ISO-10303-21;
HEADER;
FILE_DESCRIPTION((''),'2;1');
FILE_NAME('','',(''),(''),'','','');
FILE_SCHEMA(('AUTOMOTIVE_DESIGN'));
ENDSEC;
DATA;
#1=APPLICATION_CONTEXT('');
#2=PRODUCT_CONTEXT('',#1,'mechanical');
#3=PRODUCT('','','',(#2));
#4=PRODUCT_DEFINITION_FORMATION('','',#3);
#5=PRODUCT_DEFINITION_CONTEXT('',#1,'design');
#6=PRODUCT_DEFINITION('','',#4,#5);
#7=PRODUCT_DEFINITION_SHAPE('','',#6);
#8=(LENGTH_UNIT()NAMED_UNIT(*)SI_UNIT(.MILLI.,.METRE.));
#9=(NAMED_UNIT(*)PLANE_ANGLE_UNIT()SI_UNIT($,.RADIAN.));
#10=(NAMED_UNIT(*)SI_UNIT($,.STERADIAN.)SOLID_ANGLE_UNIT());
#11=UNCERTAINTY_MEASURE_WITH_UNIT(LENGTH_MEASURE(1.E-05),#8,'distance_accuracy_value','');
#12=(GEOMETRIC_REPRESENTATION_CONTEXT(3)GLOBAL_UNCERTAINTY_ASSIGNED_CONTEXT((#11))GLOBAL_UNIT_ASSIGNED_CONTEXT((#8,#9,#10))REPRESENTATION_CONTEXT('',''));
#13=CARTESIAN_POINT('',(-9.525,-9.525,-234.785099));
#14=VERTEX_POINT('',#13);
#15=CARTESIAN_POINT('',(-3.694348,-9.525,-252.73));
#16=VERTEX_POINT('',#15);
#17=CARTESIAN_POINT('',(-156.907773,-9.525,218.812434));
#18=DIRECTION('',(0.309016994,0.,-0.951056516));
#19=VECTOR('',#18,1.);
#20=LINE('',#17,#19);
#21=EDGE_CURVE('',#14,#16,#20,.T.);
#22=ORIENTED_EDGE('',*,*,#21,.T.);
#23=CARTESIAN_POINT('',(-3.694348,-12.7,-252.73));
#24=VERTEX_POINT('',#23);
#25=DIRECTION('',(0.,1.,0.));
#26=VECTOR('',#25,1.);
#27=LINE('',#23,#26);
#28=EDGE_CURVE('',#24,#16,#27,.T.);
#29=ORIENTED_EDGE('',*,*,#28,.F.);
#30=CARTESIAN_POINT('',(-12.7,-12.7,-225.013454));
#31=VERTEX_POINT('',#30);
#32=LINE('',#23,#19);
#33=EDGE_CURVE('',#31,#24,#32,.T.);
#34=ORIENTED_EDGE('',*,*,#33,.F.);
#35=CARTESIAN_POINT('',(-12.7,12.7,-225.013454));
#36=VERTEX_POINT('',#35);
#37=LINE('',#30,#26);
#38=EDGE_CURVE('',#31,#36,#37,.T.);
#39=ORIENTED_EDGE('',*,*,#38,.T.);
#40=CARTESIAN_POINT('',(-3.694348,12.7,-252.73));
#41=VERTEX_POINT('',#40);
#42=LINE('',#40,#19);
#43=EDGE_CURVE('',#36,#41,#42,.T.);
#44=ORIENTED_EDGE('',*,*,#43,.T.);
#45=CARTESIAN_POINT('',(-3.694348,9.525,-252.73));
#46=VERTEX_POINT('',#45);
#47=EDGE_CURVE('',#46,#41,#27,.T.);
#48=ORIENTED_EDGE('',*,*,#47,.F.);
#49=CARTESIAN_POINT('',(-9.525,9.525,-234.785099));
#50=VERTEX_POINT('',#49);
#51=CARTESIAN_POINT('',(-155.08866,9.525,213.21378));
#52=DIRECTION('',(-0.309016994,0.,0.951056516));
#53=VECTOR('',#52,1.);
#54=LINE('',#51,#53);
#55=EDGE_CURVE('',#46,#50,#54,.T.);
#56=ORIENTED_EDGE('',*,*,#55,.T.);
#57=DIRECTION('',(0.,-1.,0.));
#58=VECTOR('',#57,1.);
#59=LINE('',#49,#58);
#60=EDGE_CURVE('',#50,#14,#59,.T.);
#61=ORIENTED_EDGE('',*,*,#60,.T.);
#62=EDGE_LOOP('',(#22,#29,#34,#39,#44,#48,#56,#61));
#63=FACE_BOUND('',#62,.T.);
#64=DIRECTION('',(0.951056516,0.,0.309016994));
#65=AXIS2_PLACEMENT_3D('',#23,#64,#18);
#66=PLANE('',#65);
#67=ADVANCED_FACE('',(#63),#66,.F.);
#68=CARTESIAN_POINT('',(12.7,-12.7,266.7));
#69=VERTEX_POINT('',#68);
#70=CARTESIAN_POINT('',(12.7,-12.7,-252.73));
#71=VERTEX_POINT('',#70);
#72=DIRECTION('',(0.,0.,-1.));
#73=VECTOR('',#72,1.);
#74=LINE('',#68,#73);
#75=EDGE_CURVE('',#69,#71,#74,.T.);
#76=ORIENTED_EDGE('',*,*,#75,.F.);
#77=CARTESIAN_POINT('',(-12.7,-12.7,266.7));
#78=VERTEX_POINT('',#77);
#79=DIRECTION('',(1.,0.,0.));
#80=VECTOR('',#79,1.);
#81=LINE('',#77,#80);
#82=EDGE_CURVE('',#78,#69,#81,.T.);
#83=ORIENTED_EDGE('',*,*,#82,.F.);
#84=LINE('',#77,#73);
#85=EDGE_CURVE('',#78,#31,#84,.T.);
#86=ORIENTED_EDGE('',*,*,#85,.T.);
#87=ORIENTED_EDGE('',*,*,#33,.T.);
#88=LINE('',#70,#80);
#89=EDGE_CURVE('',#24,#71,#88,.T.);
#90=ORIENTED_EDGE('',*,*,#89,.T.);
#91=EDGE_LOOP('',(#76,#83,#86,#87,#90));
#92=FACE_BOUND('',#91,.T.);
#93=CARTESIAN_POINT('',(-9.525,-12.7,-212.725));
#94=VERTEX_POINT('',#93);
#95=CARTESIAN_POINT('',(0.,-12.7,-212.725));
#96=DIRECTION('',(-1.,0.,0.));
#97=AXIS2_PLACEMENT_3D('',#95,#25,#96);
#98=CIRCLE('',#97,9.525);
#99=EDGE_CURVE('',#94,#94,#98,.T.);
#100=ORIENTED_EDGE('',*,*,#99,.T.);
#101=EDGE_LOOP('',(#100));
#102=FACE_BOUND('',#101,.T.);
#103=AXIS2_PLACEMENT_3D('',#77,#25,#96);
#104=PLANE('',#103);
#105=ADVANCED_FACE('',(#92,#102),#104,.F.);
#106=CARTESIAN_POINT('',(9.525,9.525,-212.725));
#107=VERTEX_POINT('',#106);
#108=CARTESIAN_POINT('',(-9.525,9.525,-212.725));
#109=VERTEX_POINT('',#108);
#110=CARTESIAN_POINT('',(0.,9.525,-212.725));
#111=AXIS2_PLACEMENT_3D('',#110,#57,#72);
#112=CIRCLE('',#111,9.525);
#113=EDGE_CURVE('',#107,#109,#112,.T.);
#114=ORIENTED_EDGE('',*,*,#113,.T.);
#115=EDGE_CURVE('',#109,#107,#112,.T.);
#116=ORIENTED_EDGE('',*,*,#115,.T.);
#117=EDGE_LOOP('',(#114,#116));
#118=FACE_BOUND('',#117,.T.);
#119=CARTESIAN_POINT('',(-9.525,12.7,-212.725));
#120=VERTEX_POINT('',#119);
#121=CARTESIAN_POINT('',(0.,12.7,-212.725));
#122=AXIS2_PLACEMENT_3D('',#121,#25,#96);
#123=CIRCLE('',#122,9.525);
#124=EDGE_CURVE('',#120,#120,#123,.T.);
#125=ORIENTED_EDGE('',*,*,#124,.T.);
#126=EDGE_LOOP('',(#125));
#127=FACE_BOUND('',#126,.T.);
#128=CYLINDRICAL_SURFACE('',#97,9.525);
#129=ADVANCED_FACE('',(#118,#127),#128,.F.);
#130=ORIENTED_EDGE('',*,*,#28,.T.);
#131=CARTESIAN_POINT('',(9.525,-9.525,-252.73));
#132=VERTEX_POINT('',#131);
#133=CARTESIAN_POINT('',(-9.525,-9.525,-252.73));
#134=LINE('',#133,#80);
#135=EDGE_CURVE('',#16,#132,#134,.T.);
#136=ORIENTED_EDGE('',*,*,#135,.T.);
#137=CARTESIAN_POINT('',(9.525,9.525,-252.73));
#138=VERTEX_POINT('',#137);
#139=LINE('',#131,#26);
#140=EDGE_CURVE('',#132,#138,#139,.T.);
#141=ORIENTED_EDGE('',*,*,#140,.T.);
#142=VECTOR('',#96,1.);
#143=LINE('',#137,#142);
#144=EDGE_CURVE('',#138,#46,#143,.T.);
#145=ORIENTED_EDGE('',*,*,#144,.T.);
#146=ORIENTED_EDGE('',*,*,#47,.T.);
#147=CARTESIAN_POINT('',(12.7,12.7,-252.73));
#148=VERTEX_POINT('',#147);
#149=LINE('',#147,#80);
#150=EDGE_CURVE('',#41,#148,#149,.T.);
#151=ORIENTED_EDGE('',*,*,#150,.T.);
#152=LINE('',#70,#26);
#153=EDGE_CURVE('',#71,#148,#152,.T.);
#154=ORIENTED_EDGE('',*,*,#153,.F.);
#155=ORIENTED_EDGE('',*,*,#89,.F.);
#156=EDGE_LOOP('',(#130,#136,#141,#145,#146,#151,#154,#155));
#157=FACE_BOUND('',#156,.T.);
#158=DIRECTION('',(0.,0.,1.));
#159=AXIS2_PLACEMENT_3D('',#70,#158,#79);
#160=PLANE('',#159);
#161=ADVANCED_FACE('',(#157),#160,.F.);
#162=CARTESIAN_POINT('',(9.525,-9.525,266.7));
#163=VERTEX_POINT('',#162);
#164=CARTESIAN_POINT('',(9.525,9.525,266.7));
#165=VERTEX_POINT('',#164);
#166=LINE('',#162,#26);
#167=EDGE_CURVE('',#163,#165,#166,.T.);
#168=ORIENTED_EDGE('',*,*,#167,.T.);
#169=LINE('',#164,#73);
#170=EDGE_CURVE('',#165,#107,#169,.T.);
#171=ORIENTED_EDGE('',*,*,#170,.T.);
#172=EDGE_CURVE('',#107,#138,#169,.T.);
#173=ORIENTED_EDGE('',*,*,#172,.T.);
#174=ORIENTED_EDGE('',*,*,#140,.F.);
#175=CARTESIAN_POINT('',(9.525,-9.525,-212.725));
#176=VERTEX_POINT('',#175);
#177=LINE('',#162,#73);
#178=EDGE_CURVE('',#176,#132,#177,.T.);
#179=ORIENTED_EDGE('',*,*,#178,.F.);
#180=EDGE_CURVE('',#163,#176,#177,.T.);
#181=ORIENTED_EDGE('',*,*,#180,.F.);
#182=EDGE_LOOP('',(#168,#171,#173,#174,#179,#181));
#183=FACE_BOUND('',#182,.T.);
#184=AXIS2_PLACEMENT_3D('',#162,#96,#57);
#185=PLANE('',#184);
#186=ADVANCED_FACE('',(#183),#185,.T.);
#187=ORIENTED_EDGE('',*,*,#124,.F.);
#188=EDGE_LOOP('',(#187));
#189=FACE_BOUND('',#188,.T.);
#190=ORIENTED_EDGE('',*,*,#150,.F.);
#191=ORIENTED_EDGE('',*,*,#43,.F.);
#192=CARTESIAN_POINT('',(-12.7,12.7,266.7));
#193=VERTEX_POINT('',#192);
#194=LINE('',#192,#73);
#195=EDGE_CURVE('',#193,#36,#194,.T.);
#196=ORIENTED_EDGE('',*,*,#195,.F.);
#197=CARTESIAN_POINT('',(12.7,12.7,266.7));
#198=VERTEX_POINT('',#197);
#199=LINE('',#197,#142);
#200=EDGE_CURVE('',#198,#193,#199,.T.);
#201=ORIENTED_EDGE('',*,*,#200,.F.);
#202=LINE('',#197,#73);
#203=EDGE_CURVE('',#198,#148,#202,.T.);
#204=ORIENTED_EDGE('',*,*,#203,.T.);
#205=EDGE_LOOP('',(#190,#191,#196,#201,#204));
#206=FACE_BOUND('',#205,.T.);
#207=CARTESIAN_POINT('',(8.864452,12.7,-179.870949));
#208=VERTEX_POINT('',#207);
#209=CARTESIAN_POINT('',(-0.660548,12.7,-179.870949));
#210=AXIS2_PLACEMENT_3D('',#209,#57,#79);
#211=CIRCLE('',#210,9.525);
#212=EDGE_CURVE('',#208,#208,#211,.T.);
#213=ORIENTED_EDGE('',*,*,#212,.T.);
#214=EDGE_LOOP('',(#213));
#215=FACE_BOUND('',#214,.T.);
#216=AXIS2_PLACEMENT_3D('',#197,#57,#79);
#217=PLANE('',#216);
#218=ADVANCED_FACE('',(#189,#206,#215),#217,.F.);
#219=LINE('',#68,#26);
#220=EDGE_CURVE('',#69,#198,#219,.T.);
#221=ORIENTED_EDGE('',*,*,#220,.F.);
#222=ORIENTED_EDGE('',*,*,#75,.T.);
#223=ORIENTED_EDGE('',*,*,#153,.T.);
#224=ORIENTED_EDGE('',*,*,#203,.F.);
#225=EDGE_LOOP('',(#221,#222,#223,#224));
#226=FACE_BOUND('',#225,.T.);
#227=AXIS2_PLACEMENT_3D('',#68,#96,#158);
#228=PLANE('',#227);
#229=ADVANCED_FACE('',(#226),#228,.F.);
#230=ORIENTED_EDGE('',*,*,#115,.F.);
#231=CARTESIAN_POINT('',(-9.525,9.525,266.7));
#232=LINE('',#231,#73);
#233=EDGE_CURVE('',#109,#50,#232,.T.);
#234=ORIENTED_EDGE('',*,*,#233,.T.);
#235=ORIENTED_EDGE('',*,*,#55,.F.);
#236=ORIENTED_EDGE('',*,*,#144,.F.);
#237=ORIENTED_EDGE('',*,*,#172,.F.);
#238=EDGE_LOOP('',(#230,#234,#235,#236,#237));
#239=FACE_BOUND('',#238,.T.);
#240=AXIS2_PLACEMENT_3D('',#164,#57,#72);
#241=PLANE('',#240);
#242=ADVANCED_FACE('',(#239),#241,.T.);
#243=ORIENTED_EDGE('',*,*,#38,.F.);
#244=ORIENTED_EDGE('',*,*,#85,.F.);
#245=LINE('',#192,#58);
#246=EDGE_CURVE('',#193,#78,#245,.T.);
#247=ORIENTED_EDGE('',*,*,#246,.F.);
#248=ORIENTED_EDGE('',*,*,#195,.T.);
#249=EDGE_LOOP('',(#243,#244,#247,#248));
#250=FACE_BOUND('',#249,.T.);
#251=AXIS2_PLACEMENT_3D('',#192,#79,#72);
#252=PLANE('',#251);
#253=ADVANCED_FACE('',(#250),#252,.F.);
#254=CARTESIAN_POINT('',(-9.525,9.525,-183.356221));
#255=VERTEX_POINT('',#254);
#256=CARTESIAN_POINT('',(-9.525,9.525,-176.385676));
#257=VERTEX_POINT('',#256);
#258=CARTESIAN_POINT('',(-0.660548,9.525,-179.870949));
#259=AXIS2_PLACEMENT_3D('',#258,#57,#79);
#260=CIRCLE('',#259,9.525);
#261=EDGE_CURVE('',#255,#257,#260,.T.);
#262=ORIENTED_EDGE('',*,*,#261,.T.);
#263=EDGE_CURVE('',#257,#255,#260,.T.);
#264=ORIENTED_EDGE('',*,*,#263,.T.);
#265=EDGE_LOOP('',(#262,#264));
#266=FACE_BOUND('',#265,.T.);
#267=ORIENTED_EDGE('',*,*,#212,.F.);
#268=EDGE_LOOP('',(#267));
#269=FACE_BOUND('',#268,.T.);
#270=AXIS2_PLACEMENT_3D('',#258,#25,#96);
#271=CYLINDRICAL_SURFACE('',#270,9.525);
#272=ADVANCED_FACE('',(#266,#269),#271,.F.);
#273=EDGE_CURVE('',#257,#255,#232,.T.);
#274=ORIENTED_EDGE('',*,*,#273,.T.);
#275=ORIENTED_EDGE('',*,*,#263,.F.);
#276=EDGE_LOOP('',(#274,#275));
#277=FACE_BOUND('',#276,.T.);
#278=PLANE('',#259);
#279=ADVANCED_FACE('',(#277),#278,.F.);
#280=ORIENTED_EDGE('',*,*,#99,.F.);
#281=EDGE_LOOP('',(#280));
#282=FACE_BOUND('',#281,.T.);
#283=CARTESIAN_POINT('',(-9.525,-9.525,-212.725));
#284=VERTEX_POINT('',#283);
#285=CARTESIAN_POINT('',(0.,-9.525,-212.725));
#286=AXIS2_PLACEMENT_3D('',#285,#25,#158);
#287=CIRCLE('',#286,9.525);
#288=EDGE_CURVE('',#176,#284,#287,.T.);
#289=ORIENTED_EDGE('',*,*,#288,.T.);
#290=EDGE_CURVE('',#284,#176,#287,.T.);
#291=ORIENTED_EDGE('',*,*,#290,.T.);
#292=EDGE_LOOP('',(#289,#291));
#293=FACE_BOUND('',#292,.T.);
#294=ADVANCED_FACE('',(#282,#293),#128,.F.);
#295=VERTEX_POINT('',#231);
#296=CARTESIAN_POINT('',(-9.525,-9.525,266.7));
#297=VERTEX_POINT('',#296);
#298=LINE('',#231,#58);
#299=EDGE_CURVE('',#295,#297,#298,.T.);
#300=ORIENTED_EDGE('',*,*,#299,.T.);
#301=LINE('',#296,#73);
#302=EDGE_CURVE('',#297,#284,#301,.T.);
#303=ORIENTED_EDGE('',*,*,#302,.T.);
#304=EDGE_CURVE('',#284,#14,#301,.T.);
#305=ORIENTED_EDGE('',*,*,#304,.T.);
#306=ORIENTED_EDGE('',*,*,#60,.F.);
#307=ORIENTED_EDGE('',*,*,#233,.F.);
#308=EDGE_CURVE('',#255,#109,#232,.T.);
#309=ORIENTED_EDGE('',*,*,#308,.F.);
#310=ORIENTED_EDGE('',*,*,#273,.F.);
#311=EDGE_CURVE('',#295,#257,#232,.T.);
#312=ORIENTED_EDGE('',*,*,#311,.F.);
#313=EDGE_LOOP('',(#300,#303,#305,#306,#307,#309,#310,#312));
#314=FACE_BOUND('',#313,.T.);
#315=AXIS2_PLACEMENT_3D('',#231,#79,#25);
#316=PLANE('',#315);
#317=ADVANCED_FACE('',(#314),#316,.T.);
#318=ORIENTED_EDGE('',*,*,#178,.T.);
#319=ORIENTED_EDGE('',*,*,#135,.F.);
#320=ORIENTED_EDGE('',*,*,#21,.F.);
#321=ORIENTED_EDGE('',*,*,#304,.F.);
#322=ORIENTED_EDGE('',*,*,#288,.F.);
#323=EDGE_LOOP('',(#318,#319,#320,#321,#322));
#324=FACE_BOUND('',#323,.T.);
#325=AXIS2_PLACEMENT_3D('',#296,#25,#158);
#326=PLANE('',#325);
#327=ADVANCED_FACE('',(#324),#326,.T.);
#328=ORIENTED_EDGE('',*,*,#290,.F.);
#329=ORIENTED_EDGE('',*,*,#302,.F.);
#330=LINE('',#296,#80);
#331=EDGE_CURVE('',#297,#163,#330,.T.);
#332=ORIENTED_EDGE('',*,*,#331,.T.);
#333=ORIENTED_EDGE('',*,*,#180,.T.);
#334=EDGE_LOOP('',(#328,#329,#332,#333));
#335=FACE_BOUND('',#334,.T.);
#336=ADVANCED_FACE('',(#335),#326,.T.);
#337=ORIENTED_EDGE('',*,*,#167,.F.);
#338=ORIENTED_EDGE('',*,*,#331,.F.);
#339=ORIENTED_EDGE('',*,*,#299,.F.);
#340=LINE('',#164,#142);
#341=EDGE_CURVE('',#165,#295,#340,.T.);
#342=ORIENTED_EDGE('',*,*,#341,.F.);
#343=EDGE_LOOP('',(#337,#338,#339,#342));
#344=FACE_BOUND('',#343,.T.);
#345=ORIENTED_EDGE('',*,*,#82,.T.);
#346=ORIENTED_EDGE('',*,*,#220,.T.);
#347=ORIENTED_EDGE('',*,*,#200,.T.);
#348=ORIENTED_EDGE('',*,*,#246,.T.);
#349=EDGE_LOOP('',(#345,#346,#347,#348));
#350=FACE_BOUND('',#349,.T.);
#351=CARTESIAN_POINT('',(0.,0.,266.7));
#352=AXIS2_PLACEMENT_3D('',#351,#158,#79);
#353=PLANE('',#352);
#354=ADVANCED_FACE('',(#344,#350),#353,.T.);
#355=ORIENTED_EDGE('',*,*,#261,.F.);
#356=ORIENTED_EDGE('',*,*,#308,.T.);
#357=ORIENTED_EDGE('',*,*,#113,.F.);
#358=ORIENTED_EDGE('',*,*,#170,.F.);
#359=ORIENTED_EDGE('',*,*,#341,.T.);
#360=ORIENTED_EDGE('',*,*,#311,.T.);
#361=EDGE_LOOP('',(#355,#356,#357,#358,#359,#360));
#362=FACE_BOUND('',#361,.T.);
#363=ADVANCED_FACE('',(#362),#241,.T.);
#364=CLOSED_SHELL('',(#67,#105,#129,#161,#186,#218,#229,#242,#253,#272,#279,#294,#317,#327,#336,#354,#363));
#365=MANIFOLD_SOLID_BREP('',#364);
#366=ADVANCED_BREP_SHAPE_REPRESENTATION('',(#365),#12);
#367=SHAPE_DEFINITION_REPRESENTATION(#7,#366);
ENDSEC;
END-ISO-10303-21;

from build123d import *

# Parameters (mm, degrees)
BOSS_EXTRUDE1_DEPTH      = 266.7
BOSS_EXTRUDE1_DEPTH_BACK = 266.7
SKETCH3_W                = 25.4
SKETCH3_H                = 25.4
SKETCH3_W_2              = 19.05
SKETCH3_H_2              = 19.05
SKETCH4_R                = 9.525
CUT_EXTRUDE1_DEPTH       = 25.4
SKETCH5_R                = 9.525
CUT_EXTRUDE2_DEPTH       = 3.175


with BuildPart() as part:
    # Sketch3 → Boss-Extrude1 (new, two sides: drawn at the far end of the back side and taken through both)
    with BuildSketch(Plane.XY.offset(-BOSS_EXTRUDE1_DEPTH_BACK)):
        Rectangle(SKETCH3_W, SKETCH3_H)
        Rectangle(SKETCH3_W_2, SKETCH3_H_2, mode=Mode.SUBTRACT)
    extrude(amount=BOSS_EXTRUDE1_DEPTH + BOSS_EXTRUDE1_DEPTH_BACK)

    # Sketch4 → Cut-Extrude1 (cut)
    with BuildSketch(Plane(origin=(0, 12.7, 0), x_dir=(1, 0, 0), z_dir=(0, 1, 0))):
        with Locations(Location((0, 212.725, 0), (0, 0, 180))):
            Circle(SKETCH4_R)
        Polygon((-12.7, 225.013453558), (-12.7, 266.7), (12.7, 266.7), (12.7, 252.73), (-3.69434815, 252.73), align=None)
    extrude(amount=-CUT_EXTRUDE1_DEPTH, mode=Mode.SUBTRACT)

    # Sketch5 → Cut-Extrude2 (cut)
    with BuildSketch(Plane.XZ.offset(-12.7)):
        with Locations(Location((-0.660548484, -179.870948658, 0), (0, 0, 201.463465423))):
            Circle(SKETCH5_R)
    extrude(amount=CUT_EXTRUDE2_DEPTH, mode=Mode.SUBTRACT)


solid = part.part
